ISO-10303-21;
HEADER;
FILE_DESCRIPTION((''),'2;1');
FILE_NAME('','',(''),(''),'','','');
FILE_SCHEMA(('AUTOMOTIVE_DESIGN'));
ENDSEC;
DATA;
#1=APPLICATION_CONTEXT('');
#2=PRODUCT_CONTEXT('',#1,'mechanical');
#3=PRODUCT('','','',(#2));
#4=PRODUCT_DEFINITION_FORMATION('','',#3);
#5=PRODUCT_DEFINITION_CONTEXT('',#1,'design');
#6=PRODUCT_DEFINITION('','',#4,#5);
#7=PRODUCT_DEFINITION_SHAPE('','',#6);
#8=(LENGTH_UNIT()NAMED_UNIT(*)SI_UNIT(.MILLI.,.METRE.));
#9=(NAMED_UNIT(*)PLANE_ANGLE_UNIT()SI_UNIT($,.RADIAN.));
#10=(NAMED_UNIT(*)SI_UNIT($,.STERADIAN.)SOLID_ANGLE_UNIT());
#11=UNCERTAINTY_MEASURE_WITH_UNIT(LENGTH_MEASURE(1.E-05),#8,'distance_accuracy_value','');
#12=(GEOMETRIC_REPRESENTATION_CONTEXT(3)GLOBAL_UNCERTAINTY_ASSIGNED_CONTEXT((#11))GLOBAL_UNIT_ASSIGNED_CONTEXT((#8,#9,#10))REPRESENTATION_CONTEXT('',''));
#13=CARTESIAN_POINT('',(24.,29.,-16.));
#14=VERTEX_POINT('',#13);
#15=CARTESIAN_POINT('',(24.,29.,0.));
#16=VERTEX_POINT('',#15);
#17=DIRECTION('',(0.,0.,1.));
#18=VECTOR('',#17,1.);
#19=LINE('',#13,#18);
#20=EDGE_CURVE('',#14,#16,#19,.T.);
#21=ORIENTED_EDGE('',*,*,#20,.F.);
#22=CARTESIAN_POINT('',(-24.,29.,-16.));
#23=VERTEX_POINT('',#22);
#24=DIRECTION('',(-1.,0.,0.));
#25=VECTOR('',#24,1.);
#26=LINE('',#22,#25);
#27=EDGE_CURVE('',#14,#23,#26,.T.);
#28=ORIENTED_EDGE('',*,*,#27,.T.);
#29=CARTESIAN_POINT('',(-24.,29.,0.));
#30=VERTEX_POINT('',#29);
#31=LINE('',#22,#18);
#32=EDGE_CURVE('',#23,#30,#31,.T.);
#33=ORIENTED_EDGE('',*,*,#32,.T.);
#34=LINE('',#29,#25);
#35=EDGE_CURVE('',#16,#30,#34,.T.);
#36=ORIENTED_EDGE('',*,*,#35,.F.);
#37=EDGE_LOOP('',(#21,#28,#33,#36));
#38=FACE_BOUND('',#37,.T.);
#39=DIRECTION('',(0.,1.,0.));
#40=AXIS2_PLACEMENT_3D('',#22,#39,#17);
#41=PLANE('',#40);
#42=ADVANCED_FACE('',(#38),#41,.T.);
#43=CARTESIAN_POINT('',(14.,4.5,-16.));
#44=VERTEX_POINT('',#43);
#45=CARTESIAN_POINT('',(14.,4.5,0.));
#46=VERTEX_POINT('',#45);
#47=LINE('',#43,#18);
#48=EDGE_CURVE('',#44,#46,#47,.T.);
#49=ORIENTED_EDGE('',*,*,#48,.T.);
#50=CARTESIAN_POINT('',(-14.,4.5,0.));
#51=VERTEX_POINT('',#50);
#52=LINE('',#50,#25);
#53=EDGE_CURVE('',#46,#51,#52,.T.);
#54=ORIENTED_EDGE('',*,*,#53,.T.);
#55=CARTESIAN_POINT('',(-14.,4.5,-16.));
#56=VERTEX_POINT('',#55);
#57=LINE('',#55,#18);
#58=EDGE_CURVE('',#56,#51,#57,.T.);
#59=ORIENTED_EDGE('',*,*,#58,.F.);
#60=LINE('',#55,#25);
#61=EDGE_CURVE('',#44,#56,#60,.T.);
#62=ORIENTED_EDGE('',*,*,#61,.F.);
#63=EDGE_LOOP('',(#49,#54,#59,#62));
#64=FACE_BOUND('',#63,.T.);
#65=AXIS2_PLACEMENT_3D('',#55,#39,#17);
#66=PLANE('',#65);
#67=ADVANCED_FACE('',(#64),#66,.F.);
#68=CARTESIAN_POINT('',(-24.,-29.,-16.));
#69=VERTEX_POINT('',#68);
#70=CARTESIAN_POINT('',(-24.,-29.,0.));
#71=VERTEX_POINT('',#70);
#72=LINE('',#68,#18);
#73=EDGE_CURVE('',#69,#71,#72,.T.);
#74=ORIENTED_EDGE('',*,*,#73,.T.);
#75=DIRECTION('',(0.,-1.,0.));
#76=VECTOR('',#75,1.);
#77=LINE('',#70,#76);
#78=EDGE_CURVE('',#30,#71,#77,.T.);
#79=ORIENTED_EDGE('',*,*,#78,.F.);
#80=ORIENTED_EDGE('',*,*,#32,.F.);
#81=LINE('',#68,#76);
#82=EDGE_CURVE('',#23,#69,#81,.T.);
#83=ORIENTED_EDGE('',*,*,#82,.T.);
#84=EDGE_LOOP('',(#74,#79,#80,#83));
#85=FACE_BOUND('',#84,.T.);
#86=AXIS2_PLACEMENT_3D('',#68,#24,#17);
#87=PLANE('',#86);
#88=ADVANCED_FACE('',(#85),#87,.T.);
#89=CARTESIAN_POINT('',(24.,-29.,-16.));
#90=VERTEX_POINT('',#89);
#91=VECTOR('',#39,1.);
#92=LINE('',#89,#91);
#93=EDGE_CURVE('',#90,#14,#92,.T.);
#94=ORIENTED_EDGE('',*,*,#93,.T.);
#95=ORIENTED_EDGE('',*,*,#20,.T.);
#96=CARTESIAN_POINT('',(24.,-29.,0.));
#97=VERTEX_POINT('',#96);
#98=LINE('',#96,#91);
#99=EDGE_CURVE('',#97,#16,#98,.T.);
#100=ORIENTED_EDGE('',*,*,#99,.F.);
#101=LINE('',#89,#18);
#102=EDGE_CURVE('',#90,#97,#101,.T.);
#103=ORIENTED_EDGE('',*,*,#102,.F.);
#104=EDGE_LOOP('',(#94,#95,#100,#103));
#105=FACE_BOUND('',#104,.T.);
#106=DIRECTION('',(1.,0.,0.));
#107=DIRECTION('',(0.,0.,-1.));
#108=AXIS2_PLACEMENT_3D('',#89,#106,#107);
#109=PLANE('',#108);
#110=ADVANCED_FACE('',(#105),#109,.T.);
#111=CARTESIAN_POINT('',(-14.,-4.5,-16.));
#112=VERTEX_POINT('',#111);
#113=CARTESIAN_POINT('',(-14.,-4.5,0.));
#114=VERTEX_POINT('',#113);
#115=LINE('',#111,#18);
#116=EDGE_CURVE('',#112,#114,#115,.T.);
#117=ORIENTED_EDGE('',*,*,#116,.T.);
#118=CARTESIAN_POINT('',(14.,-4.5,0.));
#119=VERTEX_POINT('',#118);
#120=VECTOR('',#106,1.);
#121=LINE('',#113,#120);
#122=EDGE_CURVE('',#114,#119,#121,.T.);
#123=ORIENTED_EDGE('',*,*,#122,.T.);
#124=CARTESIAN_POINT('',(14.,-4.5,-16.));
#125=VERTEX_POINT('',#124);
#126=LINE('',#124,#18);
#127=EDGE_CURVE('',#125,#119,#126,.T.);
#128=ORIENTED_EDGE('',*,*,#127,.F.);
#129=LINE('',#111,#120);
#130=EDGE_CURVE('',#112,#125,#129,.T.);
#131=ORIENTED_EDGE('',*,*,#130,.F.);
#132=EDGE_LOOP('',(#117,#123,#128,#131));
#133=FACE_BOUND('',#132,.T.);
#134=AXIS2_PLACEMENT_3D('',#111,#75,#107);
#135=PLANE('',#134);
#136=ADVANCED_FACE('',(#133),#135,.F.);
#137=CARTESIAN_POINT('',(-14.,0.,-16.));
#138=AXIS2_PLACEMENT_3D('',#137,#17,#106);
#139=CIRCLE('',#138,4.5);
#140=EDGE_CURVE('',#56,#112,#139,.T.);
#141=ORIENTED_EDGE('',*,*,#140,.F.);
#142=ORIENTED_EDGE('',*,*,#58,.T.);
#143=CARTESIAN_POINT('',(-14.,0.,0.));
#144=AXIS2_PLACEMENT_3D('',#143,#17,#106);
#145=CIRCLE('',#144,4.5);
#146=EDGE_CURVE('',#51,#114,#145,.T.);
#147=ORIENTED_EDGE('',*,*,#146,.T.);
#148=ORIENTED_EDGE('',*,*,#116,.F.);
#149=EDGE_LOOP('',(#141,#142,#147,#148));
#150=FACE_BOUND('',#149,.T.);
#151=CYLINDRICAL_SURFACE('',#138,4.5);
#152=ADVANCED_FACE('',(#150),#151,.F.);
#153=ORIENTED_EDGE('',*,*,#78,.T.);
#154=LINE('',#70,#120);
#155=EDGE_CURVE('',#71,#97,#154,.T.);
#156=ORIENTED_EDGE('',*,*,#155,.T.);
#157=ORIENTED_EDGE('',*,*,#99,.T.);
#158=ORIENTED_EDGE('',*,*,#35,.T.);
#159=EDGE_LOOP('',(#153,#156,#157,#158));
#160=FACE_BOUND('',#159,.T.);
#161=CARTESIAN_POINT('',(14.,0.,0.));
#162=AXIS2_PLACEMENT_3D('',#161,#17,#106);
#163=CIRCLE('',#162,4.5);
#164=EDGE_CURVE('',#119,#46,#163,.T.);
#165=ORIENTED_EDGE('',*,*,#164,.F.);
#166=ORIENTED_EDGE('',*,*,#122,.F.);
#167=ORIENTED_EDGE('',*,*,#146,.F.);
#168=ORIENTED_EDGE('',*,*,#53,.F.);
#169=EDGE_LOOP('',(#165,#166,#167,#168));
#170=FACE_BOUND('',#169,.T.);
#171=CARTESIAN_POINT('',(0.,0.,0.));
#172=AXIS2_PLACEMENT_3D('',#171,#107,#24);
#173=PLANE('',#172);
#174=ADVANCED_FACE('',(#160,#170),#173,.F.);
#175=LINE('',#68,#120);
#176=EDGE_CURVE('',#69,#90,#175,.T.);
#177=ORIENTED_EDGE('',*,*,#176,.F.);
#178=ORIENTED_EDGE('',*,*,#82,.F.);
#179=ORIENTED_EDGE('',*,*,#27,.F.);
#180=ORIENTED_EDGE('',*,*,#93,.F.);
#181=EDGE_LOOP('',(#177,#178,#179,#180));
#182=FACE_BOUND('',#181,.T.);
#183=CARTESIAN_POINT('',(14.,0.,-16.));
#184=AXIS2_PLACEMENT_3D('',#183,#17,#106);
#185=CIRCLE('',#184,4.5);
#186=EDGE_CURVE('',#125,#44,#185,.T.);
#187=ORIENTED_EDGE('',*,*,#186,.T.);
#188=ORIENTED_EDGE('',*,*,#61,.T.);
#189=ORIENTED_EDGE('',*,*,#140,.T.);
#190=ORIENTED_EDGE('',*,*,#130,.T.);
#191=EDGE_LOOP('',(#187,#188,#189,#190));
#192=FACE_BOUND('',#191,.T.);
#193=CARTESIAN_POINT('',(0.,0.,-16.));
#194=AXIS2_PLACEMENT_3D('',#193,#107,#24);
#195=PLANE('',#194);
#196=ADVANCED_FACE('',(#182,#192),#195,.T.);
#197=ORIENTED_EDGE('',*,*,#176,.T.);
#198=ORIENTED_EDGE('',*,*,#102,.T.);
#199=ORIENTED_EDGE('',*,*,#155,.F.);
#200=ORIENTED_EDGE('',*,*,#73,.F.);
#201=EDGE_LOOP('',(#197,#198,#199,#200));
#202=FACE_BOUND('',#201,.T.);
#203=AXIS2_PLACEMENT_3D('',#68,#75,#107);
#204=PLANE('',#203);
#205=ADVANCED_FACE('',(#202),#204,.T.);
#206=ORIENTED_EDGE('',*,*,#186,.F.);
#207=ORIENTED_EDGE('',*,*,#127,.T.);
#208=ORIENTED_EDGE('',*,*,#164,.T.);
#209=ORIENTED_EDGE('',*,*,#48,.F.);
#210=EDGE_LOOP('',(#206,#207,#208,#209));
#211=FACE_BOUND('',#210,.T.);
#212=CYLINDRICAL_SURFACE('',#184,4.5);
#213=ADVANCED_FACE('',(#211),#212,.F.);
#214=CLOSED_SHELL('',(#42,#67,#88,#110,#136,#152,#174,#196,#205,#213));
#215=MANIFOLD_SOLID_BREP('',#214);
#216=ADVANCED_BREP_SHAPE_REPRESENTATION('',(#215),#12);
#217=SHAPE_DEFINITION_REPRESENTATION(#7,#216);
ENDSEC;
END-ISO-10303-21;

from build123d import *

# Parameters (mm, degrees)
SKETCH_1_W          = 48
SKETCH_1_H          = 58
EXTRUDE_1_DEPTH     = 16
CUT_EXTRUDE_1_DEPTH = 41.902322672


with BuildPart() as part:
    # 草图1 → 凸台-拉伸1 (new body)
    with BuildSketch(Plane.XY):
        Rectangle(SKETCH_1_W, SKETCH_1_H)
    extrude(amount=-EXTRUDE_1_DEPTH)

    # 草图2 → 切除-拉伸1 (cut, through all)
    with BuildSketch(Plane.XY):
        with BuildLine():
            Line((-14, 4.5), (14, 4.5))
            ThreePointArc((14, 4.5), (18.5, 0), (14, -4.5))
            Line((14, -4.5), (-14, -4.5))
            ThreePointArc((-14, -4.5), (-18.5, 0), (-14, 4.5))
        make_face()
    extrude(amount=-CUT_EXTRUDE_1_DEPTH, mode=Mode.SUBTRACT)


solid = part.part
